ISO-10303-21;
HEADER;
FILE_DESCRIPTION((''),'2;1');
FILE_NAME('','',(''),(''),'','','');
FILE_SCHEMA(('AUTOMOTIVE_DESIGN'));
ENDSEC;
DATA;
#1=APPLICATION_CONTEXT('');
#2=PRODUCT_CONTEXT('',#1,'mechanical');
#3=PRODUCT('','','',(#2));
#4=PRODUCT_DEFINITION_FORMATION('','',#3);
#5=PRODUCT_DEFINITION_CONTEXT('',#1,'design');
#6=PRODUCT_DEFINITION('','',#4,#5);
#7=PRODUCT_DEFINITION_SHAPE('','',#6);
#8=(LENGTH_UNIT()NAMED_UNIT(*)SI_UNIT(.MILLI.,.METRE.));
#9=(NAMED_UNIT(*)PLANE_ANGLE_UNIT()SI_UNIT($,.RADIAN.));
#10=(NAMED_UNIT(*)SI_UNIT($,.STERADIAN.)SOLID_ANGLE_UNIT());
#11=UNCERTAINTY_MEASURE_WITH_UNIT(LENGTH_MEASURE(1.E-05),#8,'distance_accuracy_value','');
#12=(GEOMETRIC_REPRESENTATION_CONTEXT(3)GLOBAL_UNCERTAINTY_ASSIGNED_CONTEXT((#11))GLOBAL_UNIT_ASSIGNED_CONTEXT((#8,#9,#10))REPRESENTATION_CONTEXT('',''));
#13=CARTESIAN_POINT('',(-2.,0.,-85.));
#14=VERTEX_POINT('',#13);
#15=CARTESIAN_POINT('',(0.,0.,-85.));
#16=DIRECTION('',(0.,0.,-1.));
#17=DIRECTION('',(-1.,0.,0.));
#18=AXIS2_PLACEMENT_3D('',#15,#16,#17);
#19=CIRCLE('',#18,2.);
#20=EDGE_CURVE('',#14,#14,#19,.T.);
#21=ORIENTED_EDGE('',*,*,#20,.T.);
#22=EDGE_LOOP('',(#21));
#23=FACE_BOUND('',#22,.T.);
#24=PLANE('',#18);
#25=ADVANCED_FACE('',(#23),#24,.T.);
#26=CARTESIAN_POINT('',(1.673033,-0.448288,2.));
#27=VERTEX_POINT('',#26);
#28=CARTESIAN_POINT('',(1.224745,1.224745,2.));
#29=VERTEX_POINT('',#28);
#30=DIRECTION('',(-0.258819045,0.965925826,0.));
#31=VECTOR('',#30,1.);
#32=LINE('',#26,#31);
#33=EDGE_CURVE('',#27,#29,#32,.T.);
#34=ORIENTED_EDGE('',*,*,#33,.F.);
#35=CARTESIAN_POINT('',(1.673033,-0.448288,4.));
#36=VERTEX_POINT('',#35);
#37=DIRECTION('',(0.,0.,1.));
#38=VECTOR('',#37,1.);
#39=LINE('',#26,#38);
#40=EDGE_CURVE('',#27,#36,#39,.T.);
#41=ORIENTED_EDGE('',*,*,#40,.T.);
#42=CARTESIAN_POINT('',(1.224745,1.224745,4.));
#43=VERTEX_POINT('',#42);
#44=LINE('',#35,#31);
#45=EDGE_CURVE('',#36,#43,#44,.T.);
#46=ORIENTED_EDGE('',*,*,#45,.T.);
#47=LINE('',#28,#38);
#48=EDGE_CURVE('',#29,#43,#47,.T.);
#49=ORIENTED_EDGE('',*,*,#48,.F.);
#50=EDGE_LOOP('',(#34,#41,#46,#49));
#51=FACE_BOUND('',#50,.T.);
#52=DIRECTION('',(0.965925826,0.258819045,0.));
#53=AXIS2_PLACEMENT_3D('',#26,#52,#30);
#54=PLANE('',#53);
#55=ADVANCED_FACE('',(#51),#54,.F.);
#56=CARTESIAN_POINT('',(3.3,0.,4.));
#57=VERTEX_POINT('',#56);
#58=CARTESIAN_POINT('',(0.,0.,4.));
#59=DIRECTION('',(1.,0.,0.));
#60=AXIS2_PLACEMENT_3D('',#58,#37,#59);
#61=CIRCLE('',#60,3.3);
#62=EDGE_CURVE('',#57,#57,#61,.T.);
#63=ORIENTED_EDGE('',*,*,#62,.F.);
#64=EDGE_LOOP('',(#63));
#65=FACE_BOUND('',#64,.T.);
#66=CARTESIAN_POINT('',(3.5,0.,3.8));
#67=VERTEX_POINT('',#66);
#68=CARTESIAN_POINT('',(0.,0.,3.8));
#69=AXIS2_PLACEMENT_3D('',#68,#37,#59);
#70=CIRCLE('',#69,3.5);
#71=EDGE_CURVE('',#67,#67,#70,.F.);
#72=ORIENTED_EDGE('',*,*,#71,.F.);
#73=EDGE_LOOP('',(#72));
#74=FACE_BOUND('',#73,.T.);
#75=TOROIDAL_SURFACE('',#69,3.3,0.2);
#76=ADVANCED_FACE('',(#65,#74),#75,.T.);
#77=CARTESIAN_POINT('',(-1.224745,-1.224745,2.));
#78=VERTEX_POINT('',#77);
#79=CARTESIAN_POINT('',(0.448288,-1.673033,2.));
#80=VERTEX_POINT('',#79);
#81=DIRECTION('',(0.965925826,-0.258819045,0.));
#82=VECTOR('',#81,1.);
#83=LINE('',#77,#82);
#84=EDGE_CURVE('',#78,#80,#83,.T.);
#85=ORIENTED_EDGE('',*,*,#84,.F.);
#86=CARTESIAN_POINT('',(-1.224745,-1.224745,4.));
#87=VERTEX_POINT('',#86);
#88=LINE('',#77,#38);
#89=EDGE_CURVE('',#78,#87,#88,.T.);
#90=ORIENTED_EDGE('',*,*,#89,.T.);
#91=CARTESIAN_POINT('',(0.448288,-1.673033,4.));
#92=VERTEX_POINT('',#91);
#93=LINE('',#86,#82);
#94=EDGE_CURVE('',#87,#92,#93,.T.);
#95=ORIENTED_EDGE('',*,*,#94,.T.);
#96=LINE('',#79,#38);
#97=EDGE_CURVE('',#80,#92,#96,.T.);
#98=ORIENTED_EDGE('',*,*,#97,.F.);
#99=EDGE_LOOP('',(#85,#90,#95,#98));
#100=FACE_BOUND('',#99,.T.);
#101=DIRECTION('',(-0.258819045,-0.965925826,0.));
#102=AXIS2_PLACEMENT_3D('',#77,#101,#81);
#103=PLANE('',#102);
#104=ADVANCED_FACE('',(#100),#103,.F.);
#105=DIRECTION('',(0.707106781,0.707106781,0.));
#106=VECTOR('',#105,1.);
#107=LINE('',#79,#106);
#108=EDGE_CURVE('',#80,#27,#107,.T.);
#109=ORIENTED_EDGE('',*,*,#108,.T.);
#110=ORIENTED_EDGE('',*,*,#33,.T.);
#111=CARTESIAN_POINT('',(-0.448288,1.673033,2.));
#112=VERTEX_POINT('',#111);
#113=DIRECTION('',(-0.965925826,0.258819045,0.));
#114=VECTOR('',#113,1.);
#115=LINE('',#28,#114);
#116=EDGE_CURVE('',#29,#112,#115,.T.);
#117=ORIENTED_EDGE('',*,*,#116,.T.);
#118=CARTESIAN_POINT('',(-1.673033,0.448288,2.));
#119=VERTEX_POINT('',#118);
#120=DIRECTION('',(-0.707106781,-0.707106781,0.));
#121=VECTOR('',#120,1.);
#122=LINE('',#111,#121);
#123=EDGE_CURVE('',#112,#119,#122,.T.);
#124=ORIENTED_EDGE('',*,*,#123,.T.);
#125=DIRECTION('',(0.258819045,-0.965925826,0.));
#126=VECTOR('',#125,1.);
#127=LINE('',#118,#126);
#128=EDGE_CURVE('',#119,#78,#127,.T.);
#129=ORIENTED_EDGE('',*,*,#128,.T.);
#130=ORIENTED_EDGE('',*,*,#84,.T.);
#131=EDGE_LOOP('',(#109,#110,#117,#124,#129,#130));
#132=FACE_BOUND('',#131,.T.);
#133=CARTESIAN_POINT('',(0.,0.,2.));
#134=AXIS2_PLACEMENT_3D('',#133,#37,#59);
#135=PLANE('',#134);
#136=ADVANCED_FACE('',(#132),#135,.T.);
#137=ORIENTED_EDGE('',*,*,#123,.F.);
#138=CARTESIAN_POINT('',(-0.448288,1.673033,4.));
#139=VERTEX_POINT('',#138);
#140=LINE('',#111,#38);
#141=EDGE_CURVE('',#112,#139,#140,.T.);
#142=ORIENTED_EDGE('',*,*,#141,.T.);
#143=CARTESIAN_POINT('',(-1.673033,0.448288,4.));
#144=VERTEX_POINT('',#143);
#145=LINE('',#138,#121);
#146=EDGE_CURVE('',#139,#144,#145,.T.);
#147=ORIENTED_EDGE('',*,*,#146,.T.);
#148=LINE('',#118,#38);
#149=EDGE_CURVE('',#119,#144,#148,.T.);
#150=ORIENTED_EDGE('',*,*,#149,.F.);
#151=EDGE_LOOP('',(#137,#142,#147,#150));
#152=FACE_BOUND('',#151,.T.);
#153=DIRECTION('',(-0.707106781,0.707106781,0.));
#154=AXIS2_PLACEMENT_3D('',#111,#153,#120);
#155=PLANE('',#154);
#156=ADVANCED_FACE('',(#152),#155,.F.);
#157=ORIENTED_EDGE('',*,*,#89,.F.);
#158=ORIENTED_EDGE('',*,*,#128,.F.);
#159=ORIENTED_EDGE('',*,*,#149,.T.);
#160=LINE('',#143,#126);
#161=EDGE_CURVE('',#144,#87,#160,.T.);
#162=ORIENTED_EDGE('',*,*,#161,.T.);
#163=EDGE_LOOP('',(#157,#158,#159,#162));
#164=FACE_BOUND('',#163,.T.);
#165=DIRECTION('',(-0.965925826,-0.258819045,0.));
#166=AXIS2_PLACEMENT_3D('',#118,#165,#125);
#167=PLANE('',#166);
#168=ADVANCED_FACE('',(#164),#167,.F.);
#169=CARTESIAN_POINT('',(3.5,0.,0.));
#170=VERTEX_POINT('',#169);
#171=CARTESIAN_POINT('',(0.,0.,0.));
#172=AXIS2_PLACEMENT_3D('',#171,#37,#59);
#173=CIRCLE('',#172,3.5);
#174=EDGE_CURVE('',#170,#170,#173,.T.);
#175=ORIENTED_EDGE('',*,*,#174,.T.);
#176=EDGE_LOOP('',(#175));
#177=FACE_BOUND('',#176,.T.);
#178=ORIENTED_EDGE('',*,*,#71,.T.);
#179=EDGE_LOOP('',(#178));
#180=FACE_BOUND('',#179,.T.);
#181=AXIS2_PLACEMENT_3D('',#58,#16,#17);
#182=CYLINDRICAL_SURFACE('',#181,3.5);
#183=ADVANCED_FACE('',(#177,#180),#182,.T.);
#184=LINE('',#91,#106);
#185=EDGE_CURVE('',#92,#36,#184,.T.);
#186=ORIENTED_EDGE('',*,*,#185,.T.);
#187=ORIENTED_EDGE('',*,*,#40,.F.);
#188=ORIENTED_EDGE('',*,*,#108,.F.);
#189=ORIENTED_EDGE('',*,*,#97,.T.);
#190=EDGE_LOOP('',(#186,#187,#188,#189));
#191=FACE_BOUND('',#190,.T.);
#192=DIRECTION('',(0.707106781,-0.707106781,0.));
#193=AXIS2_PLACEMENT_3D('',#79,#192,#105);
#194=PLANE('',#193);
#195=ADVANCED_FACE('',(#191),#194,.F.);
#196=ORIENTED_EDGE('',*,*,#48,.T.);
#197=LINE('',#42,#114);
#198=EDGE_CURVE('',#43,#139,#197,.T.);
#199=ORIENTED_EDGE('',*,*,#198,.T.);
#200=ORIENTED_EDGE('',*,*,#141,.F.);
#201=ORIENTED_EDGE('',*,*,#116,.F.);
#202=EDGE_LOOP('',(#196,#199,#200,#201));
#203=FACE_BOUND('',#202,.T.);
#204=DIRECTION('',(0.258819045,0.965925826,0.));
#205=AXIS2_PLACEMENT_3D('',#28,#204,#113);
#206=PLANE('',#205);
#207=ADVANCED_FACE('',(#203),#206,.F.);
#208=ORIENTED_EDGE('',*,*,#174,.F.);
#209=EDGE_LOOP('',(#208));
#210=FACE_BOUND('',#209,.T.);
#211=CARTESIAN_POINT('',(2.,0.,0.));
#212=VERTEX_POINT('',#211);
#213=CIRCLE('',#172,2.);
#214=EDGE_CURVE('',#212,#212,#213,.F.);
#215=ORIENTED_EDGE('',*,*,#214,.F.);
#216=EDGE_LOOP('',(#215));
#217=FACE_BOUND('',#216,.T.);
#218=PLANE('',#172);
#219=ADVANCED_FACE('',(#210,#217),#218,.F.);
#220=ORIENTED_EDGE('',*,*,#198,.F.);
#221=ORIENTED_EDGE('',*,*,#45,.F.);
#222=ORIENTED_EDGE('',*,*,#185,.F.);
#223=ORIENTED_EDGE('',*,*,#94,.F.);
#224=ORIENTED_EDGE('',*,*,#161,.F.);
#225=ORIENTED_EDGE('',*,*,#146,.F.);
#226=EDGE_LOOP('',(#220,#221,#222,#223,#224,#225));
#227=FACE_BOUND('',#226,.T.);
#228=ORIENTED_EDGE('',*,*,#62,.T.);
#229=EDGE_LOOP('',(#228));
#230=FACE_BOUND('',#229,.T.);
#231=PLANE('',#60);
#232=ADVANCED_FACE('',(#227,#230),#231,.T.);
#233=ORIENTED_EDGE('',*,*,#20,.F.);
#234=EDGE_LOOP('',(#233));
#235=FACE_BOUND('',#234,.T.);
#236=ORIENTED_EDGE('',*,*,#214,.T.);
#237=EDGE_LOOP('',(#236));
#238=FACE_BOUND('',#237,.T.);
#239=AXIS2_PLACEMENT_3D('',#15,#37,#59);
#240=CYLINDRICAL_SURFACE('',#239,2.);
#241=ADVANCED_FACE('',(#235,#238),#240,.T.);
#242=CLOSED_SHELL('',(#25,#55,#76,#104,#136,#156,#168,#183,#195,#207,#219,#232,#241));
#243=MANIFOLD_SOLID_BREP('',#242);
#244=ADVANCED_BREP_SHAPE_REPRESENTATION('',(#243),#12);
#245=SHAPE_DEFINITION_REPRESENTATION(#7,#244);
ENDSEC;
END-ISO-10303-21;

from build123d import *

# Parameters (mm, degrees)
SKETCH_1_R          = 3.5
EXTRUDE_1_DEPTH     = 4
CUT_EXTRUDE_1_DEPTH = 2
SKETCH_3_R          = 2
EXTRUDE_2_DEPTH     = 85
FILLET_1_R          = 0.2


with BuildPart() as part:
    # 草图1 → 凸台-拉伸1 (new body)
    with BuildSketch(Plane.XY):
        Circle(SKETCH_1_R)
    extrude(amount=EXTRUDE_1_DEPTH)

    # 草图2 → 切除-拉伸1 (cut)
    with BuildSketch(Plane.XY.offset(4)):
        Polygon((-1.224744871, -1.224744871), (0.448287736, -1.673032607), (1.673032607, -0.448287736), (1.224744871, 1.224744871), (-0.448287736, 1.673032607), (-1.673032607, 0.448287736), align=None)
    extrude(amount=-CUT_EXTRUDE_1_DEPTH, mode=Mode.SUBTRACT)

    # 草图3 → 凸台-拉伸2 (add)
    with BuildSketch(Plane(origin=(0, 0, 0), x_dir=(-1, 0, 0), z_dir=(0, 0, -1))):
        with Locations(Location((0, 0, 0), (0, 0, 180))):
            Circle(SKETCH_3_R)
    extrude(amount=EXTRUDE_2_DEPTH)

    # 圆角1
    fillet_1_edges = [part.edges().sort_by_distance(p)[0] for p in [
        (-3.5, 0, 4),
    ]]
    fillet(fillet_1_edges, radius=FILLET_1_R)


solid = part.part
